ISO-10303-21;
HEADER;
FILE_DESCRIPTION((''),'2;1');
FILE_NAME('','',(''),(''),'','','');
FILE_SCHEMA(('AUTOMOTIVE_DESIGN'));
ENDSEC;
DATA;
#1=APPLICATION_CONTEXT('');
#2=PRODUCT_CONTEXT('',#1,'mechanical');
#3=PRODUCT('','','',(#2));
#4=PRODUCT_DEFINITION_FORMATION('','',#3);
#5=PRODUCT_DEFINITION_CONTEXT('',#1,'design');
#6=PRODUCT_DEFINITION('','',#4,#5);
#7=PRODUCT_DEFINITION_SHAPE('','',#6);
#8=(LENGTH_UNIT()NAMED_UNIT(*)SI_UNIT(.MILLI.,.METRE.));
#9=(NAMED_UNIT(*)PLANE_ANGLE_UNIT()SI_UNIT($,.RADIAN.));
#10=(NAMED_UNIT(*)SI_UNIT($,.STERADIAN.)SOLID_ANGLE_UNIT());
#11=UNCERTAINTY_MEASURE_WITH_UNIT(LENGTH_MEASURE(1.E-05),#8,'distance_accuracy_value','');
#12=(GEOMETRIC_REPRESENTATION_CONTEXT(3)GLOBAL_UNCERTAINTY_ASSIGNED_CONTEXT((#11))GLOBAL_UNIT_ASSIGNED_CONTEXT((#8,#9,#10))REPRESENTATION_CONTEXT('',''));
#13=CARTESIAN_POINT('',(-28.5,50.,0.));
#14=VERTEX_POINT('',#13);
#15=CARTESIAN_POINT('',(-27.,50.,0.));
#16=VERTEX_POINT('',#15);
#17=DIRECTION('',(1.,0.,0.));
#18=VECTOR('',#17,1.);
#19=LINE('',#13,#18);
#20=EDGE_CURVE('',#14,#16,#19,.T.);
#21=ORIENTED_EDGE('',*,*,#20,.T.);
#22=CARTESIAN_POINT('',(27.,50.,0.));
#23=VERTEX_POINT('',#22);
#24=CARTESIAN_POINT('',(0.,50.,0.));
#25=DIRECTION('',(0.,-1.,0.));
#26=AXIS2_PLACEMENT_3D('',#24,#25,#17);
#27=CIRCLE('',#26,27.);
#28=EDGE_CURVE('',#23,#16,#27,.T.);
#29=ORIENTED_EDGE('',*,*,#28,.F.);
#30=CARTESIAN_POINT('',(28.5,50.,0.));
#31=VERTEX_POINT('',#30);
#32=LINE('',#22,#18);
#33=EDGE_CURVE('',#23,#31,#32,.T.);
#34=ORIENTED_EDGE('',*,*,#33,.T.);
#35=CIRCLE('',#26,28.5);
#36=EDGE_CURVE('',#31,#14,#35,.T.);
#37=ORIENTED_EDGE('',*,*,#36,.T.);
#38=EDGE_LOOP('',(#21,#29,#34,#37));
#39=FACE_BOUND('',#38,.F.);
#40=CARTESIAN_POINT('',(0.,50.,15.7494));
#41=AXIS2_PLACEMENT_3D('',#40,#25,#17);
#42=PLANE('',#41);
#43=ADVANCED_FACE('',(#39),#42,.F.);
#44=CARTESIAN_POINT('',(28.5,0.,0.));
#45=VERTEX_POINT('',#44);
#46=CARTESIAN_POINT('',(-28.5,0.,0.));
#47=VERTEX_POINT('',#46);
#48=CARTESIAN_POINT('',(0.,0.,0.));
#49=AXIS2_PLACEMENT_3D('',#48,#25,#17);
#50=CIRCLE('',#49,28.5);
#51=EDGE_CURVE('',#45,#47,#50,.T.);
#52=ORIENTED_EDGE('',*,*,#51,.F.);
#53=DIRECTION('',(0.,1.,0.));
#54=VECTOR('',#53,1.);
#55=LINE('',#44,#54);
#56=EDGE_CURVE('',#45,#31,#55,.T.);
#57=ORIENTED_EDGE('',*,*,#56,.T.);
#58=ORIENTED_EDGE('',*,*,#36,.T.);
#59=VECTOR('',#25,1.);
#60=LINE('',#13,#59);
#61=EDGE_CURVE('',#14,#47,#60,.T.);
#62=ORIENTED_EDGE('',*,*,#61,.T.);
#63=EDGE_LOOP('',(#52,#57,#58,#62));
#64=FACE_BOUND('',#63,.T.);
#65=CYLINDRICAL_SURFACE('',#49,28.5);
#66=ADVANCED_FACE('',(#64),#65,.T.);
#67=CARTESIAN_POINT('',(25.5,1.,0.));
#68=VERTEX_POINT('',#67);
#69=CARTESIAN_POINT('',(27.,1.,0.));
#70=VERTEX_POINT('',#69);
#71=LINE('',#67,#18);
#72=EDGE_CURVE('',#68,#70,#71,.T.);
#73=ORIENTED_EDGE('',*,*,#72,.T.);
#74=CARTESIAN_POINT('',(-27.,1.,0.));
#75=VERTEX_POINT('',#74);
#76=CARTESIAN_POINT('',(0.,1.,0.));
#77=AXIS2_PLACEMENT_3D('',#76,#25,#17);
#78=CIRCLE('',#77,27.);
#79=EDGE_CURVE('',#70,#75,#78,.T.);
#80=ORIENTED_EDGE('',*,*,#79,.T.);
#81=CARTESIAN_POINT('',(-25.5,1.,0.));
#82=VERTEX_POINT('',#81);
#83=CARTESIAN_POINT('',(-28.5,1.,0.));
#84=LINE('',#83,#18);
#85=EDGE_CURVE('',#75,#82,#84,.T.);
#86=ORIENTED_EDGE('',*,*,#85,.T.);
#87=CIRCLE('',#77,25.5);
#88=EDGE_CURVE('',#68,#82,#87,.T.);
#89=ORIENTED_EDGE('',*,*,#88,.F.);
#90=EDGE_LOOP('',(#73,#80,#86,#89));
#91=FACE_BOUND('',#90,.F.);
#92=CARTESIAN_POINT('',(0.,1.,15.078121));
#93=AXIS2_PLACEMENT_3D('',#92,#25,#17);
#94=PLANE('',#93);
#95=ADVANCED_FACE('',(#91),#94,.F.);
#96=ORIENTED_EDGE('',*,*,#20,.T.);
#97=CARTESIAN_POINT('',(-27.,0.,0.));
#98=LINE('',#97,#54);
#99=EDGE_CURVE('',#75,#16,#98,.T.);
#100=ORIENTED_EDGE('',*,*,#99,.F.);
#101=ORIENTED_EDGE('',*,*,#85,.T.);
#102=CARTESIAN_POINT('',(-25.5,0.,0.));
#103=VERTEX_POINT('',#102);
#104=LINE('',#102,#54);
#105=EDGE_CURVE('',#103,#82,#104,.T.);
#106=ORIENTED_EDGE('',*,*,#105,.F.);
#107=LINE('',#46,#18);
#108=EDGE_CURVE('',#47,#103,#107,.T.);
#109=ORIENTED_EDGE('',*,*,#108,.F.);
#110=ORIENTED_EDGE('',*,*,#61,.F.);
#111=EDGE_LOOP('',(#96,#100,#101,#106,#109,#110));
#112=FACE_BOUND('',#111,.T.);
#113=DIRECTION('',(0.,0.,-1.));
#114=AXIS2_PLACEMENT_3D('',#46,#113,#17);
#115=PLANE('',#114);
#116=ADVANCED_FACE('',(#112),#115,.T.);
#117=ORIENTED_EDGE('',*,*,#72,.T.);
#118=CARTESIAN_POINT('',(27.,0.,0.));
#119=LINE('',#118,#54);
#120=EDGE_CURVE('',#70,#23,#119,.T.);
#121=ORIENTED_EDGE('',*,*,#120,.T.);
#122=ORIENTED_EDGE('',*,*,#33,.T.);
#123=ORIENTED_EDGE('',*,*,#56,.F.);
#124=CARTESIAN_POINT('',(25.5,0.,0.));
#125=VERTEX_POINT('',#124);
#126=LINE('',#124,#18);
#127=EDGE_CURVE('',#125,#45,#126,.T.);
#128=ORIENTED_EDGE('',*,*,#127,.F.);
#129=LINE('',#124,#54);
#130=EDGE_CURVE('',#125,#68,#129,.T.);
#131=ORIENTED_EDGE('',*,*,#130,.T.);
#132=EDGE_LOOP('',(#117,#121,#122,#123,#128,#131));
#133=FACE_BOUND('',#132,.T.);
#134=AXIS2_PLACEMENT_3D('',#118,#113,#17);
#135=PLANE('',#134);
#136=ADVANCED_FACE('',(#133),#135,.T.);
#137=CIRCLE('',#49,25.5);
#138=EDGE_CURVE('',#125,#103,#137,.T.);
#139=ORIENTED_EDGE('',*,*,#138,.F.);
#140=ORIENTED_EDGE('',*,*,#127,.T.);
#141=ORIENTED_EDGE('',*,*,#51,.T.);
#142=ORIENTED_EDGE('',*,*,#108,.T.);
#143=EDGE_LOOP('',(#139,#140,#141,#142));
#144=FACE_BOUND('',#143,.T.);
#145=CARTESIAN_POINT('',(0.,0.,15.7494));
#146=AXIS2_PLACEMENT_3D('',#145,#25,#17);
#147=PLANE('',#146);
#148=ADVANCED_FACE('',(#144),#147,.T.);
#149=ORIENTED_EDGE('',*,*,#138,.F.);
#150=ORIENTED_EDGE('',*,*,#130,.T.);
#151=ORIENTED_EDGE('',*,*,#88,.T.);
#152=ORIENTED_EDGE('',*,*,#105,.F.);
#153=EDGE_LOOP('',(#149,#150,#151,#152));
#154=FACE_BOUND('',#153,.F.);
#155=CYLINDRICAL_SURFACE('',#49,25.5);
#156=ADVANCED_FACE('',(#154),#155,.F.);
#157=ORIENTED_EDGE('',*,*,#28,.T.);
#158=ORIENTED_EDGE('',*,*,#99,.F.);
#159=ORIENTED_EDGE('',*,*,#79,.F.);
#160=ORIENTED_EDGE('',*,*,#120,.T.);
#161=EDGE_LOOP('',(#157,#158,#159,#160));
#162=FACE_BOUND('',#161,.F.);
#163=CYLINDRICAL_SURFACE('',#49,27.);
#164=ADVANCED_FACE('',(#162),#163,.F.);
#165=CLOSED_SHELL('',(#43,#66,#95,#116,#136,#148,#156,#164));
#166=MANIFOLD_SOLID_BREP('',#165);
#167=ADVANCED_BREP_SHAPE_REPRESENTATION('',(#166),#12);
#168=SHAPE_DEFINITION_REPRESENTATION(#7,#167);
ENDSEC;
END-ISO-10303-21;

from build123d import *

# Parameters (mm, degrees)
PAD_DEPTH    = 50
PAD001_DEPTH = 1


with BuildPart() as part:
    # Sketch → Pad (new body)
    with BuildSketch(Plane.XZ):
        with BuildLine():
            ThreePointArc((28.5, 0), (0, 28.5), (-28.5, 0))
            Line((-28.5, 0), (-27, 0))
            ThreePointArc((27, 0), (0, 27), (-27, 0))
            Line((27, 0), (28.5, 0))
        make_face()
    extrude(amount=-PAD_DEPTH)

    # Sketch001 → Pad001 (join)
    with BuildSketch(Plane.XZ):
        with BuildLine():
            ThreePointArc((28.5, 0), (0, 28.5), (-28.5, 0))
            Line((-28.5, 0), (-25.5, 0))
            ThreePointArc((25.5, 0), (0, 25.5), (-25.5, 0))
            Line((25.5, 0), (28.5, 0))
        make_face()
    extrude(amount=-PAD001_DEPTH)


solid = part.part
